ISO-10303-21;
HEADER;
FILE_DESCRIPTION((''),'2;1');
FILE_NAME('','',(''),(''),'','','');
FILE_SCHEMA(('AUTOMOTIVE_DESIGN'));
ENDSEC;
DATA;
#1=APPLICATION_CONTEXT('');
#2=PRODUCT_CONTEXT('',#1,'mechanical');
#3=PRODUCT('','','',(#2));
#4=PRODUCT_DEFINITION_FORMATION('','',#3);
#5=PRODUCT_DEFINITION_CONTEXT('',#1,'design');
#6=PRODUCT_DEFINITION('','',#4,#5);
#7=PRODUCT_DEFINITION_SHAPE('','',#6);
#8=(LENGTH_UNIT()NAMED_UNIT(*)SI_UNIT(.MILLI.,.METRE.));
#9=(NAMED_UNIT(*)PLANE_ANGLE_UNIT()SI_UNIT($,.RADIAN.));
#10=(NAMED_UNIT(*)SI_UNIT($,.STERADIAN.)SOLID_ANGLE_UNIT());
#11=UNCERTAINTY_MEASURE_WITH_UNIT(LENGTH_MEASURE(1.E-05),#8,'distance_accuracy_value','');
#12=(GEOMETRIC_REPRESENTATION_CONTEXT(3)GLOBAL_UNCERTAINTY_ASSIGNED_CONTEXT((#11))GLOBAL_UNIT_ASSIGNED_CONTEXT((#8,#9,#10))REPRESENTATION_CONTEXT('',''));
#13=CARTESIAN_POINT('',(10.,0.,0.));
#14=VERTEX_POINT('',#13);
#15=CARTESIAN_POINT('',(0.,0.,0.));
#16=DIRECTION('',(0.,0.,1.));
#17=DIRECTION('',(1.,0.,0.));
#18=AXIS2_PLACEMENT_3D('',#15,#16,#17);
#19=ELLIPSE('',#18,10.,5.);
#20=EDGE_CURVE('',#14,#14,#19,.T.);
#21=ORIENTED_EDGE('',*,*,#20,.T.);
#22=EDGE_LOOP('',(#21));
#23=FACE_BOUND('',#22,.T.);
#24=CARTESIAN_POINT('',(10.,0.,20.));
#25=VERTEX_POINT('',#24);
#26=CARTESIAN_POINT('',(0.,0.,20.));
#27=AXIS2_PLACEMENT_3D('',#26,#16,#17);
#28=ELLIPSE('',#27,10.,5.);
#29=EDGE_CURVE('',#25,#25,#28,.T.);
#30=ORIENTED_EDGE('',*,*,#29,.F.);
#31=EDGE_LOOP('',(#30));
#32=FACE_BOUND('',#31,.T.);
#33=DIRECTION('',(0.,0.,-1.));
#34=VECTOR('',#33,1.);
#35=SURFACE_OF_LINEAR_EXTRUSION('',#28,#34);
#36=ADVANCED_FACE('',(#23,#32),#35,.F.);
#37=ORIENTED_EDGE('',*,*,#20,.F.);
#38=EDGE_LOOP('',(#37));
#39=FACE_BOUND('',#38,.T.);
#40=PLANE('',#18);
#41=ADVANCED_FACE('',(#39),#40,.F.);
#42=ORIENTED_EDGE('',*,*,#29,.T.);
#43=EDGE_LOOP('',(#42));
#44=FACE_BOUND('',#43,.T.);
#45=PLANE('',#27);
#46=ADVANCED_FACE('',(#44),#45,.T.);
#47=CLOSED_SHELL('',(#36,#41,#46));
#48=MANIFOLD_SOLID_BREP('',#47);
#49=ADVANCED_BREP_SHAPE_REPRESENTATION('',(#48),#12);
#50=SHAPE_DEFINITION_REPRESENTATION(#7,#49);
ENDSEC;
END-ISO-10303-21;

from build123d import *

# Parameters (mm, degrees)
SKETCH_MAIN_PROFILE_RX          = 10
SKETCH_MAIN_PROFILE_RY          = 5
FEATURE_ELLIPSE_EXTRUSION_DEPTH = 20


with BuildPart() as part:
    # sketch:main-profile → feature:ellipse-extrusion (new body)
    with BuildSketch(Plane.XY):
        with Locations((0, 0)):
            Ellipse(SKETCH_MAIN_PROFILE_RX, SKETCH_MAIN_PROFILE_RY)
    extrude(amount=FEATURE_ELLIPSE_EXTRUSION_DEPTH)


solid = part.part
